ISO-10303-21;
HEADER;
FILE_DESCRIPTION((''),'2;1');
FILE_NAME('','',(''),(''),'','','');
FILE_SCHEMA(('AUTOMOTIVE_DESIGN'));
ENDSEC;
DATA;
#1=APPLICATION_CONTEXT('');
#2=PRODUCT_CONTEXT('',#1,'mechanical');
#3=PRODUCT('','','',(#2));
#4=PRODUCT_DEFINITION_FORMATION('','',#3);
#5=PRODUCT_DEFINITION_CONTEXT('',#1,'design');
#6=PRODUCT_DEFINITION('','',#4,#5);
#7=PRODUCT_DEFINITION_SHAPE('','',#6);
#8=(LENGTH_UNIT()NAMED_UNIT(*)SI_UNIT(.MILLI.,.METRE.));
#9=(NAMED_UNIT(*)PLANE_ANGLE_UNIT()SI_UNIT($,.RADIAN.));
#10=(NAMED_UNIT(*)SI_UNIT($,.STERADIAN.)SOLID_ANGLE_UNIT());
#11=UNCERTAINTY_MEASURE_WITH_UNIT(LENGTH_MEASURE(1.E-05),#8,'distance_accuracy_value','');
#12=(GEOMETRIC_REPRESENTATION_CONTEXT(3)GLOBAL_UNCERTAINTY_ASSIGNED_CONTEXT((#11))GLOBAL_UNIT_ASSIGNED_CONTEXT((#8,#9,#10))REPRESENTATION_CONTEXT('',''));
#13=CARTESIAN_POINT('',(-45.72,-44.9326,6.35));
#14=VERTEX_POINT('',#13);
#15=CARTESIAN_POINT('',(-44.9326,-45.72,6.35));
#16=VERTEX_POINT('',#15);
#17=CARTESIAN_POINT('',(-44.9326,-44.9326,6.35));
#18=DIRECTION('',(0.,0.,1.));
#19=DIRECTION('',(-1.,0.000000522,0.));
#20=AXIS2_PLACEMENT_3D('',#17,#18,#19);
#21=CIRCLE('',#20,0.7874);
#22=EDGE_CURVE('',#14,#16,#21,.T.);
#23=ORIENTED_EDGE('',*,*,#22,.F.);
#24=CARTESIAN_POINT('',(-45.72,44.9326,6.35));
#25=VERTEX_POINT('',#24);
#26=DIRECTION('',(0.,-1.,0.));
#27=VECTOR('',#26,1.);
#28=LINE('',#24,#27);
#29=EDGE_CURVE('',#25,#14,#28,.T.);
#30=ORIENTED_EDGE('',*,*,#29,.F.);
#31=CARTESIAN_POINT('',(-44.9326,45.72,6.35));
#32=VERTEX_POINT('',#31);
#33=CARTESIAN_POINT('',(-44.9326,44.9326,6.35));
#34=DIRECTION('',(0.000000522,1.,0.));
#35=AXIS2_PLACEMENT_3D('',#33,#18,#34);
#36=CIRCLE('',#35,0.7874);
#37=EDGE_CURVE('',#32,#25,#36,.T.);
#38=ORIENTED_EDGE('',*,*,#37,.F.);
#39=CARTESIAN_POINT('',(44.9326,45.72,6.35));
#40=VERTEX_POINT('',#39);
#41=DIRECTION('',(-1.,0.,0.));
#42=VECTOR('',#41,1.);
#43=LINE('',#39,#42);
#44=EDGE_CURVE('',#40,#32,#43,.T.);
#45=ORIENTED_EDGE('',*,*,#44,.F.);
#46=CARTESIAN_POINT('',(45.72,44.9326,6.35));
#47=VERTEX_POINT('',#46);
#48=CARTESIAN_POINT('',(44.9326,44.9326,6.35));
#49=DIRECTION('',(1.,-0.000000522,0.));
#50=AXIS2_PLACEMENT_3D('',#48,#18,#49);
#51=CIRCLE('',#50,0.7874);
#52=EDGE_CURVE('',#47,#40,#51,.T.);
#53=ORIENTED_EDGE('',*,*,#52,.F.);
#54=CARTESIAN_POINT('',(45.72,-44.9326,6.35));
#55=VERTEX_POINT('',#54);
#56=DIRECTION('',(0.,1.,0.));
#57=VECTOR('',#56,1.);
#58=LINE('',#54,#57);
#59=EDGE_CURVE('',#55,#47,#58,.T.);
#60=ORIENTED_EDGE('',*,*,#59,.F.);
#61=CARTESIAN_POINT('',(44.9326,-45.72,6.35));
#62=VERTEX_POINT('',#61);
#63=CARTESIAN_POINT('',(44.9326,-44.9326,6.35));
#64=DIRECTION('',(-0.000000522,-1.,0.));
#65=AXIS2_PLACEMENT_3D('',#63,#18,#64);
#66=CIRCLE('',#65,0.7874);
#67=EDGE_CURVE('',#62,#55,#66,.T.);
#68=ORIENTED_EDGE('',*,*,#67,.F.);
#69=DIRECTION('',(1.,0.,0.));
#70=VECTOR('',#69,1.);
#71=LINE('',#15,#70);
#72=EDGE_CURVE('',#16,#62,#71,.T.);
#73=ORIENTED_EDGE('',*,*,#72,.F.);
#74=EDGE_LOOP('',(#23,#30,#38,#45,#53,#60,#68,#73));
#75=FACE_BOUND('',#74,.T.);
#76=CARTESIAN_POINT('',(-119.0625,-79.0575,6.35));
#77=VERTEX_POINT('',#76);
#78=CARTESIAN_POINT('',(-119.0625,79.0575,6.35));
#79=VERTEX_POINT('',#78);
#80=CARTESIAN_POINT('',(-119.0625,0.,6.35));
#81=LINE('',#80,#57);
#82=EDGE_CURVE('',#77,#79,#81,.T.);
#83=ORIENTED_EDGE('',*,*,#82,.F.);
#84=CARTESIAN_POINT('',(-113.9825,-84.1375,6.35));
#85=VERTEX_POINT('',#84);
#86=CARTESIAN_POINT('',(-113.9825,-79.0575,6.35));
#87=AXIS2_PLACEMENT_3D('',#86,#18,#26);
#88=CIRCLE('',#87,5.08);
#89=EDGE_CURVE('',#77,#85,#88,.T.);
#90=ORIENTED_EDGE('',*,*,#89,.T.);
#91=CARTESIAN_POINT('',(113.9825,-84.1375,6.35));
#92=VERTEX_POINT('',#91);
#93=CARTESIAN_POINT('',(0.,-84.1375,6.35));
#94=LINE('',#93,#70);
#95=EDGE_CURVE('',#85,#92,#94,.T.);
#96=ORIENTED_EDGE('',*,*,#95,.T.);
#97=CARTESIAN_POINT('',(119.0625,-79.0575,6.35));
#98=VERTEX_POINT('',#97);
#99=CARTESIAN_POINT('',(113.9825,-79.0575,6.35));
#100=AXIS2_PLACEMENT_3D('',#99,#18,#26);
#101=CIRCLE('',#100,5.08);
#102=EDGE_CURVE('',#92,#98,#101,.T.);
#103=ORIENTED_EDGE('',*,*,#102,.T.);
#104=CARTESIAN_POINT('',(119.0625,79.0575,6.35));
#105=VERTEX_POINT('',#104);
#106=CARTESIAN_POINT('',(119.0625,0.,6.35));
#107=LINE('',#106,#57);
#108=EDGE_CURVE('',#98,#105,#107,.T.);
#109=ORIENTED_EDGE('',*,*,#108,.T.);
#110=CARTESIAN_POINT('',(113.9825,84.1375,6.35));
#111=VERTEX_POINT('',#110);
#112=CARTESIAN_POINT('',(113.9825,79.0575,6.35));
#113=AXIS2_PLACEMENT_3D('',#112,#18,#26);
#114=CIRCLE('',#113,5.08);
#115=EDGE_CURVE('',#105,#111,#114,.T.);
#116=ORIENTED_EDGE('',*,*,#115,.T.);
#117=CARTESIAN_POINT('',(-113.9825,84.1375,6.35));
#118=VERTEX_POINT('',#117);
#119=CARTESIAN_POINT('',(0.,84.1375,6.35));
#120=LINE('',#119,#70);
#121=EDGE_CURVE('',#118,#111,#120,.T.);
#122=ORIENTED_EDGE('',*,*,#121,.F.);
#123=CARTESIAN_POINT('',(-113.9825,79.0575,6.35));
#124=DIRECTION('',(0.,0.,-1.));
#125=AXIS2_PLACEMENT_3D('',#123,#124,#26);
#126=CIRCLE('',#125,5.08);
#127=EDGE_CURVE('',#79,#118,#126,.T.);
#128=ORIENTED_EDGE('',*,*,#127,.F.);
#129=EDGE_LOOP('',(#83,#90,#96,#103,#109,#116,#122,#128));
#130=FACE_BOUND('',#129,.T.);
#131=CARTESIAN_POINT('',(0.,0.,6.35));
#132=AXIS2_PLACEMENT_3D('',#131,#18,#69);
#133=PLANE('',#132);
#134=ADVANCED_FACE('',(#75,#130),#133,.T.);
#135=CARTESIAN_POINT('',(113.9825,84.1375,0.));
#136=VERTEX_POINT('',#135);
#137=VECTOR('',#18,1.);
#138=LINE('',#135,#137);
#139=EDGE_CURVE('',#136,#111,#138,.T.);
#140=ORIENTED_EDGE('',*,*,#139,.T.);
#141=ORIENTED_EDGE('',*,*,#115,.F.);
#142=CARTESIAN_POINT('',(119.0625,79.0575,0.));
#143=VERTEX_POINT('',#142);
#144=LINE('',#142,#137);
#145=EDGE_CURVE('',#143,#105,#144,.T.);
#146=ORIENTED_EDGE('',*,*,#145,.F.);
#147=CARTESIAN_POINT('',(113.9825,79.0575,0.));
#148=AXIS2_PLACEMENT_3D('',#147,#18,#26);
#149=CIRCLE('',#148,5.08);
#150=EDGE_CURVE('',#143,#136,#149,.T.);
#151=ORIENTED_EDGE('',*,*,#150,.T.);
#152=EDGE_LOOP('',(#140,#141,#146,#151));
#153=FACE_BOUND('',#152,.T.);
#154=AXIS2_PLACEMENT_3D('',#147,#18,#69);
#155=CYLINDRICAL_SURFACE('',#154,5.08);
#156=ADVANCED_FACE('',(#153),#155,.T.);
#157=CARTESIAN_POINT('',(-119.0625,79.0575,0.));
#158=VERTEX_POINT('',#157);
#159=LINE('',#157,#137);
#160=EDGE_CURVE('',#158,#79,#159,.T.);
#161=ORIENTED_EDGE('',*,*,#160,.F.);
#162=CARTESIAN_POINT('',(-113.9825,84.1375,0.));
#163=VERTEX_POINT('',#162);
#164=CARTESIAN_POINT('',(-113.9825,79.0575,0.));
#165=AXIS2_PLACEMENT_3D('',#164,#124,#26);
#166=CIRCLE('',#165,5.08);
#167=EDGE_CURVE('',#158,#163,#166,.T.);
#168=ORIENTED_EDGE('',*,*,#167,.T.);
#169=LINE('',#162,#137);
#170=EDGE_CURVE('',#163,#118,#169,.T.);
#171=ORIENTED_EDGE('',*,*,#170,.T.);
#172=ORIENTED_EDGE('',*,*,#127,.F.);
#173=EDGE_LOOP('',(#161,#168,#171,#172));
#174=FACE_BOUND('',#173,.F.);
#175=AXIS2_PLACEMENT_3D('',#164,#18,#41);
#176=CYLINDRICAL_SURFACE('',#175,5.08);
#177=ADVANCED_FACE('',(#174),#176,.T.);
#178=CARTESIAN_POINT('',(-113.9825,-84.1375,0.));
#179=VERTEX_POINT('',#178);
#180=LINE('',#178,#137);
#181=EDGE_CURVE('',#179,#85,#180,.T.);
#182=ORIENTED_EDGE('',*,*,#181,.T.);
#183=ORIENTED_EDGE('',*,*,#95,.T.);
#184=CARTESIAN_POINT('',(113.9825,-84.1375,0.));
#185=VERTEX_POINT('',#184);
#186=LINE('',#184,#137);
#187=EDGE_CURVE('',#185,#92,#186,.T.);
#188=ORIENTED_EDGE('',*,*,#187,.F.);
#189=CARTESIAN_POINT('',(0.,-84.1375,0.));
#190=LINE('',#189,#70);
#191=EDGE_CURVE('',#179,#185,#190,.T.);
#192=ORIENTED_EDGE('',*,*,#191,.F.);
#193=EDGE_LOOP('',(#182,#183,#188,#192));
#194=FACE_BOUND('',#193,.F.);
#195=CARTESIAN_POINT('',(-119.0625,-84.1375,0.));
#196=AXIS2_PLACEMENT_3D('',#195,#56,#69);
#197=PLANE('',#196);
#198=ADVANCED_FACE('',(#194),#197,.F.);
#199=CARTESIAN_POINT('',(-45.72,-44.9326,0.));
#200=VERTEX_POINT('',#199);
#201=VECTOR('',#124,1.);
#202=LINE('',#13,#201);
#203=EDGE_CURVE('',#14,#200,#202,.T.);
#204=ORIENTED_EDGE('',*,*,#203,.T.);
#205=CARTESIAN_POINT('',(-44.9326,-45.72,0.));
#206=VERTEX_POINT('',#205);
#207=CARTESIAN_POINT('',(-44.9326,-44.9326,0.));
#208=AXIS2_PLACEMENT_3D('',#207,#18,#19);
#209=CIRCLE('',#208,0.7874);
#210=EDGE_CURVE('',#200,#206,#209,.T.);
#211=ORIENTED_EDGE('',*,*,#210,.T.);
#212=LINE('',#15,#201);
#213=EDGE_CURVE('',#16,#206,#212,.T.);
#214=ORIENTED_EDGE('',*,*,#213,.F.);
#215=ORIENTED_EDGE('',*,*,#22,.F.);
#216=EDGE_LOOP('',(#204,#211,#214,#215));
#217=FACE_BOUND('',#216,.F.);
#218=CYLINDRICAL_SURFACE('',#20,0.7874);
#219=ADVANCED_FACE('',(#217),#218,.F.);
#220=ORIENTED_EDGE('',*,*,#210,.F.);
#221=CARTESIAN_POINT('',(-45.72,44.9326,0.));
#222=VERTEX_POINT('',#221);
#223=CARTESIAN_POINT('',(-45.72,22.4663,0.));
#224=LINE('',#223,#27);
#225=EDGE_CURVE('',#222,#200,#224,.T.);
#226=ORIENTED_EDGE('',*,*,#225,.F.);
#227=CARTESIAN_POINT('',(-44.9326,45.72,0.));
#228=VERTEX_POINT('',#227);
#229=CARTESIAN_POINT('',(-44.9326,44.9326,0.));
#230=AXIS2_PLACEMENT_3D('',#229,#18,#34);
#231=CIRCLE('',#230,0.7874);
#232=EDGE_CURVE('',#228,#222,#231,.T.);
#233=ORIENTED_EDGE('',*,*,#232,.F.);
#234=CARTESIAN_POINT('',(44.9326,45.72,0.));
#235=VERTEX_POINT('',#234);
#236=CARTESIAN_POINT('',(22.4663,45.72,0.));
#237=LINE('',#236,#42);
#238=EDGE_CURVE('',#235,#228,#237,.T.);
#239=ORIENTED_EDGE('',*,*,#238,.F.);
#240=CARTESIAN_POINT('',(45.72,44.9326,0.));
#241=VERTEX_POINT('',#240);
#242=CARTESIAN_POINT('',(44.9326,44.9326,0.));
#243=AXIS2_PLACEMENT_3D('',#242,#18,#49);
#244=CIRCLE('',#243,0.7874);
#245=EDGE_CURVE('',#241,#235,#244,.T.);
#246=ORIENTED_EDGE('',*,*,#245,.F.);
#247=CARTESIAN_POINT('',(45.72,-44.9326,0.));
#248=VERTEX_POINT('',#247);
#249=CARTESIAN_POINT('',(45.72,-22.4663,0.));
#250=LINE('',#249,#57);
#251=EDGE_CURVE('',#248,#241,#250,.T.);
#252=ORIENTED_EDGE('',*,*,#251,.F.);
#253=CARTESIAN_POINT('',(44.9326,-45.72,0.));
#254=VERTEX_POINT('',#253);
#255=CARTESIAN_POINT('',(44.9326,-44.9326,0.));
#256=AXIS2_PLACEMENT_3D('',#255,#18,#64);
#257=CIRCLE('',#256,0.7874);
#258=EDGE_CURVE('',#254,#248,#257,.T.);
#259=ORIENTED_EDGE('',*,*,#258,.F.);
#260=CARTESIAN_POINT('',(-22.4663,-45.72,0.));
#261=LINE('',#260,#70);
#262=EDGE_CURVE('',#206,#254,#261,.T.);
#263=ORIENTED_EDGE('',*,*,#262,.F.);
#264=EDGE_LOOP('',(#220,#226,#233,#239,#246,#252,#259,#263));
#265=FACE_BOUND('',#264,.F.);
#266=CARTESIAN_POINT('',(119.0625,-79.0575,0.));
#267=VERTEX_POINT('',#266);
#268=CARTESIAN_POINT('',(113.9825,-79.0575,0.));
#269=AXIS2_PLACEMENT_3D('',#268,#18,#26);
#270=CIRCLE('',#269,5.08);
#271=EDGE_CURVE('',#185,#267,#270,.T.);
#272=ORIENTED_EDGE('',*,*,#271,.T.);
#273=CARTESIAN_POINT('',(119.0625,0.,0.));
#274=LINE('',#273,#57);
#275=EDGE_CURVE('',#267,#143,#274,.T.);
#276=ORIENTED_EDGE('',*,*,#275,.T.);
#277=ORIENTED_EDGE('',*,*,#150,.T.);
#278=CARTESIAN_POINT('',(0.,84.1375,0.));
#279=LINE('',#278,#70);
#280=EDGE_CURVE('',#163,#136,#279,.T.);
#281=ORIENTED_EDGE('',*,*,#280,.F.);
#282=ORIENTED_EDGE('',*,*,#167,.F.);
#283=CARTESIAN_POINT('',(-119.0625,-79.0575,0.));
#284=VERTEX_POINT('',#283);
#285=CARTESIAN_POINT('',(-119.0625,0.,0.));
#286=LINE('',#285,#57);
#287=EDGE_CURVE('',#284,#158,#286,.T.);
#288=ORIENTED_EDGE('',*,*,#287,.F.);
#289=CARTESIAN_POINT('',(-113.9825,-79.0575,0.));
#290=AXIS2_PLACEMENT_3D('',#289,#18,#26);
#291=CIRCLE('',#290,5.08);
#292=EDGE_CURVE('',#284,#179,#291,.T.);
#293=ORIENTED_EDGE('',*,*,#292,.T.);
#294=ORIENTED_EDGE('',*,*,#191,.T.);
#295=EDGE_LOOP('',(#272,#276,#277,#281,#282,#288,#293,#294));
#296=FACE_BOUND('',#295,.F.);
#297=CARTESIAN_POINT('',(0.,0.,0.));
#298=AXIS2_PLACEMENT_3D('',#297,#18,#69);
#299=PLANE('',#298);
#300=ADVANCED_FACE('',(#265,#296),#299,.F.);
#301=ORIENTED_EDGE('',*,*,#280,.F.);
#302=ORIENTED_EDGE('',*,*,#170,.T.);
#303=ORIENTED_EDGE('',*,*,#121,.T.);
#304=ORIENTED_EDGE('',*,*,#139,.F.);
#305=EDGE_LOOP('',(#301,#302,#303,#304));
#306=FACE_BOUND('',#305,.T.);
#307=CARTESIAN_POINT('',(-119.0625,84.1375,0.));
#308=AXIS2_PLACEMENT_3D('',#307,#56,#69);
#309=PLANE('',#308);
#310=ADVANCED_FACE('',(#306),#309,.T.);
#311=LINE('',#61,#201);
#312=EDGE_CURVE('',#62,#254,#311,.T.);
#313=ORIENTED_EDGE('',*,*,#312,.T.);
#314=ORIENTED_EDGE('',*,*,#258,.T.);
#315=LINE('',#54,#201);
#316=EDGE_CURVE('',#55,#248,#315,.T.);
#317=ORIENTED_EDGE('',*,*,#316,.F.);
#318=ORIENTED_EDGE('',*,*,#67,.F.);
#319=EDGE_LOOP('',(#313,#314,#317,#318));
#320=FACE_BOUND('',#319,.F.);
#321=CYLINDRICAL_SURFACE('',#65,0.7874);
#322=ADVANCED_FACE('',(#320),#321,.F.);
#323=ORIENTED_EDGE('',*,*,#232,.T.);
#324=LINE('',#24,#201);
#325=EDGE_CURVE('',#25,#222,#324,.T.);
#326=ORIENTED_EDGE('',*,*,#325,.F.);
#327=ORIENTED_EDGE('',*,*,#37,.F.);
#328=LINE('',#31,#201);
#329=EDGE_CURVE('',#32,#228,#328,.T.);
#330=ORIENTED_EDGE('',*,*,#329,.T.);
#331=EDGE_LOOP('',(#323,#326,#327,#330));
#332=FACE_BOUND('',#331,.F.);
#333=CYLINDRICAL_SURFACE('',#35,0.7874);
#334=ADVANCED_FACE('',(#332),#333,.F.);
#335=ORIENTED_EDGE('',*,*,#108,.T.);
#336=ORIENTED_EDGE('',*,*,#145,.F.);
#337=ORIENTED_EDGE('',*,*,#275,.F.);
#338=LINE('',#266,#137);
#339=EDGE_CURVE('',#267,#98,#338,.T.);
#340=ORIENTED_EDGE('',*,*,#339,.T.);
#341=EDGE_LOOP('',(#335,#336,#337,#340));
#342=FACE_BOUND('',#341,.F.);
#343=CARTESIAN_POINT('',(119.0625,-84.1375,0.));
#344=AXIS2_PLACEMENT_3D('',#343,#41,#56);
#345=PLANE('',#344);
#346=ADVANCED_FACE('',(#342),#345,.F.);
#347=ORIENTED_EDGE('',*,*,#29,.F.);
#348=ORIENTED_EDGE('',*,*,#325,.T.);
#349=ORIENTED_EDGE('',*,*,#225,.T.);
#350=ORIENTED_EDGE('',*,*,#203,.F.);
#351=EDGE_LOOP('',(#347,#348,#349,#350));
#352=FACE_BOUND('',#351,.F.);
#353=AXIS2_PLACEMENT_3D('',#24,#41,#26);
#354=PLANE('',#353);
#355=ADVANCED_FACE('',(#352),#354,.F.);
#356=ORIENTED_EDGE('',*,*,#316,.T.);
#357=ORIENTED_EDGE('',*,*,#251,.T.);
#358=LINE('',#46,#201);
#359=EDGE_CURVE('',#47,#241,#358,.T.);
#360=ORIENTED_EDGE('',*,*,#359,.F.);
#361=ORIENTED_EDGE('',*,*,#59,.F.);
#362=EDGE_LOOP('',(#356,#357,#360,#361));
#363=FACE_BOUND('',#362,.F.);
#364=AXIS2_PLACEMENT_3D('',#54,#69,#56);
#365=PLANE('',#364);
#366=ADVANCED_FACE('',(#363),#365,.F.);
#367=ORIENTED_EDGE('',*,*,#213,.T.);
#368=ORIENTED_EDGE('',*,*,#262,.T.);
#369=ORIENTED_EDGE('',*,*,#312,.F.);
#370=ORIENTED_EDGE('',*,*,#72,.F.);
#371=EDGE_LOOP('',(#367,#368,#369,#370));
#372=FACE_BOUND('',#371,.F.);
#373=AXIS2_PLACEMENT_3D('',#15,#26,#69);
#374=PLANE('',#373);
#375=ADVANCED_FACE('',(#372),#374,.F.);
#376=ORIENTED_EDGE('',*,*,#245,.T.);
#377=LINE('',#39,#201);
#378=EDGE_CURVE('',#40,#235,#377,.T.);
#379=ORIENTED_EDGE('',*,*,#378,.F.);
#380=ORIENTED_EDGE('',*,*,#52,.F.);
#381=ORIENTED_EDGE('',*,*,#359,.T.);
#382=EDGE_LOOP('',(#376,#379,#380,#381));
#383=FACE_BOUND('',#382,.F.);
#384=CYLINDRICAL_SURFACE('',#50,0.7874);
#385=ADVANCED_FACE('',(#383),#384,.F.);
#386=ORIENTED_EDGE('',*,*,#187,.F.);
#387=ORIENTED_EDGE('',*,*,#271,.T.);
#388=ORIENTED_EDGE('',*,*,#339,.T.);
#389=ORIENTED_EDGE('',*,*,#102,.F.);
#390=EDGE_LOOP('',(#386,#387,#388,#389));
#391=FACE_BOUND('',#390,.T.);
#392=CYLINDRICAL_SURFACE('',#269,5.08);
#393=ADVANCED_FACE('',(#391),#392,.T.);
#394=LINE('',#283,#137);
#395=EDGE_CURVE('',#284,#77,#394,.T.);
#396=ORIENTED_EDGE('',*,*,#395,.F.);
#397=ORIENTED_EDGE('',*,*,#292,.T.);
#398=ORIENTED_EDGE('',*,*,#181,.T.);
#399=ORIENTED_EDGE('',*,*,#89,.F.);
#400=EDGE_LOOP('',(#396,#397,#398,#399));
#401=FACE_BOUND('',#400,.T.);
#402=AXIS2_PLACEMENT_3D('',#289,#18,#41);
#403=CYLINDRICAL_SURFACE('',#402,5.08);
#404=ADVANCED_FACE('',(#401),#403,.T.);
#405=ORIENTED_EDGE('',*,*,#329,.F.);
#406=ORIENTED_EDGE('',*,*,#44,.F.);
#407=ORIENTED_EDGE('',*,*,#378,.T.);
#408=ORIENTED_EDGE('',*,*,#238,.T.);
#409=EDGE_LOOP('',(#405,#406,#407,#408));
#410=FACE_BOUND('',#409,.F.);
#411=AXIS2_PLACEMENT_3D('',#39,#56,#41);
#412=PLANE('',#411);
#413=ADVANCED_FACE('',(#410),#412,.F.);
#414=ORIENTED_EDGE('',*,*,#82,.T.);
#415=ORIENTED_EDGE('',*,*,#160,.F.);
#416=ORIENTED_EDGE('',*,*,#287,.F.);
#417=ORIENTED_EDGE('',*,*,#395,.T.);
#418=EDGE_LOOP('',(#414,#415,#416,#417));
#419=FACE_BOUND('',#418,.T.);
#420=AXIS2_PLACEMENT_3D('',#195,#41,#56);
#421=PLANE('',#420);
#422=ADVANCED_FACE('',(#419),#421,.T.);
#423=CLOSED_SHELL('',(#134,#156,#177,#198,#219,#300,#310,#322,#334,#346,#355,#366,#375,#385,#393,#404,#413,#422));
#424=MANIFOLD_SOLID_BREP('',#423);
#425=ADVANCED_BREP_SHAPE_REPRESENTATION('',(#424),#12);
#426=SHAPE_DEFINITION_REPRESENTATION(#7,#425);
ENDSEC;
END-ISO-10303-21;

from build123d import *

# Parameters (mm, degrees)
F0_W     = 238.125
F0_H     = 168.275
F1_DEPTH = 6.35
F2_R     = 5.08
F3_W     = 88.9
F3_H     = 88.9
F4_DEPTH = 25.4
F6_DEPTH = 25.4


with BuildPart() as f1:
    # F0 (on Top) → F1 (new body)
    with BuildSketch(Plane.XY):
        Rectangle(F0_W, F0_H)
    extrude(amount=F1_DEPTH)

    # F2
    f2_edges = [f1.edges().sort_by_distance(p)[0] for p in [
        (119.0625, 84.1375, 3.175),
        (-119.0625, 84.1375, 3.175),
        (119.0625, -84.1375, 3.175),
        (-119.0625, -84.1375, 3.175),
    ]]
    fillet(f2_edges, radius=F2_R)

    # F3 (on face) → F4 (cut)
    with BuildSketch(Plane.XY.offset(6.35)):
        Rectangle(F3_W, F3_H)
    extrude(amount=-F4_DEPTH, mode=Mode.SUBTRACT)

    # F5 (on face) → F6 (cut)
    with BuildSketch(Plane.XY.offset(6.35)):
        with BuildLine():
            ThreePointArc((45.72, 44.9326), (45.489376, 45.489376), (44.9326, 45.72))
            Line((44.9326, 45.72), (-44.9326, 45.72))
            ThreePointArc((-44.9326, 45.72), (-45.489376, 45.489376), (-45.72, 44.9326))
            Line((-45.72, 44.9326), (-45.72, -44.9326))
            ThreePointArc((-45.72, -44.9326), (-45.489376, -45.489376), (-44.9326, -45.72))
            Line((-44.9326, -45.72), (44.9326, -45.72))
            ThreePointArc((44.9326, -45.72), (45.489376, -45.489376), (45.72, -44.9326))
            Line((45.72, -44.9326), (45.72, 44.9326))
        make_face()
    extrude(amount=-F6_DEPTH, mode=Mode.SUBTRACT)


solid = f1.part
